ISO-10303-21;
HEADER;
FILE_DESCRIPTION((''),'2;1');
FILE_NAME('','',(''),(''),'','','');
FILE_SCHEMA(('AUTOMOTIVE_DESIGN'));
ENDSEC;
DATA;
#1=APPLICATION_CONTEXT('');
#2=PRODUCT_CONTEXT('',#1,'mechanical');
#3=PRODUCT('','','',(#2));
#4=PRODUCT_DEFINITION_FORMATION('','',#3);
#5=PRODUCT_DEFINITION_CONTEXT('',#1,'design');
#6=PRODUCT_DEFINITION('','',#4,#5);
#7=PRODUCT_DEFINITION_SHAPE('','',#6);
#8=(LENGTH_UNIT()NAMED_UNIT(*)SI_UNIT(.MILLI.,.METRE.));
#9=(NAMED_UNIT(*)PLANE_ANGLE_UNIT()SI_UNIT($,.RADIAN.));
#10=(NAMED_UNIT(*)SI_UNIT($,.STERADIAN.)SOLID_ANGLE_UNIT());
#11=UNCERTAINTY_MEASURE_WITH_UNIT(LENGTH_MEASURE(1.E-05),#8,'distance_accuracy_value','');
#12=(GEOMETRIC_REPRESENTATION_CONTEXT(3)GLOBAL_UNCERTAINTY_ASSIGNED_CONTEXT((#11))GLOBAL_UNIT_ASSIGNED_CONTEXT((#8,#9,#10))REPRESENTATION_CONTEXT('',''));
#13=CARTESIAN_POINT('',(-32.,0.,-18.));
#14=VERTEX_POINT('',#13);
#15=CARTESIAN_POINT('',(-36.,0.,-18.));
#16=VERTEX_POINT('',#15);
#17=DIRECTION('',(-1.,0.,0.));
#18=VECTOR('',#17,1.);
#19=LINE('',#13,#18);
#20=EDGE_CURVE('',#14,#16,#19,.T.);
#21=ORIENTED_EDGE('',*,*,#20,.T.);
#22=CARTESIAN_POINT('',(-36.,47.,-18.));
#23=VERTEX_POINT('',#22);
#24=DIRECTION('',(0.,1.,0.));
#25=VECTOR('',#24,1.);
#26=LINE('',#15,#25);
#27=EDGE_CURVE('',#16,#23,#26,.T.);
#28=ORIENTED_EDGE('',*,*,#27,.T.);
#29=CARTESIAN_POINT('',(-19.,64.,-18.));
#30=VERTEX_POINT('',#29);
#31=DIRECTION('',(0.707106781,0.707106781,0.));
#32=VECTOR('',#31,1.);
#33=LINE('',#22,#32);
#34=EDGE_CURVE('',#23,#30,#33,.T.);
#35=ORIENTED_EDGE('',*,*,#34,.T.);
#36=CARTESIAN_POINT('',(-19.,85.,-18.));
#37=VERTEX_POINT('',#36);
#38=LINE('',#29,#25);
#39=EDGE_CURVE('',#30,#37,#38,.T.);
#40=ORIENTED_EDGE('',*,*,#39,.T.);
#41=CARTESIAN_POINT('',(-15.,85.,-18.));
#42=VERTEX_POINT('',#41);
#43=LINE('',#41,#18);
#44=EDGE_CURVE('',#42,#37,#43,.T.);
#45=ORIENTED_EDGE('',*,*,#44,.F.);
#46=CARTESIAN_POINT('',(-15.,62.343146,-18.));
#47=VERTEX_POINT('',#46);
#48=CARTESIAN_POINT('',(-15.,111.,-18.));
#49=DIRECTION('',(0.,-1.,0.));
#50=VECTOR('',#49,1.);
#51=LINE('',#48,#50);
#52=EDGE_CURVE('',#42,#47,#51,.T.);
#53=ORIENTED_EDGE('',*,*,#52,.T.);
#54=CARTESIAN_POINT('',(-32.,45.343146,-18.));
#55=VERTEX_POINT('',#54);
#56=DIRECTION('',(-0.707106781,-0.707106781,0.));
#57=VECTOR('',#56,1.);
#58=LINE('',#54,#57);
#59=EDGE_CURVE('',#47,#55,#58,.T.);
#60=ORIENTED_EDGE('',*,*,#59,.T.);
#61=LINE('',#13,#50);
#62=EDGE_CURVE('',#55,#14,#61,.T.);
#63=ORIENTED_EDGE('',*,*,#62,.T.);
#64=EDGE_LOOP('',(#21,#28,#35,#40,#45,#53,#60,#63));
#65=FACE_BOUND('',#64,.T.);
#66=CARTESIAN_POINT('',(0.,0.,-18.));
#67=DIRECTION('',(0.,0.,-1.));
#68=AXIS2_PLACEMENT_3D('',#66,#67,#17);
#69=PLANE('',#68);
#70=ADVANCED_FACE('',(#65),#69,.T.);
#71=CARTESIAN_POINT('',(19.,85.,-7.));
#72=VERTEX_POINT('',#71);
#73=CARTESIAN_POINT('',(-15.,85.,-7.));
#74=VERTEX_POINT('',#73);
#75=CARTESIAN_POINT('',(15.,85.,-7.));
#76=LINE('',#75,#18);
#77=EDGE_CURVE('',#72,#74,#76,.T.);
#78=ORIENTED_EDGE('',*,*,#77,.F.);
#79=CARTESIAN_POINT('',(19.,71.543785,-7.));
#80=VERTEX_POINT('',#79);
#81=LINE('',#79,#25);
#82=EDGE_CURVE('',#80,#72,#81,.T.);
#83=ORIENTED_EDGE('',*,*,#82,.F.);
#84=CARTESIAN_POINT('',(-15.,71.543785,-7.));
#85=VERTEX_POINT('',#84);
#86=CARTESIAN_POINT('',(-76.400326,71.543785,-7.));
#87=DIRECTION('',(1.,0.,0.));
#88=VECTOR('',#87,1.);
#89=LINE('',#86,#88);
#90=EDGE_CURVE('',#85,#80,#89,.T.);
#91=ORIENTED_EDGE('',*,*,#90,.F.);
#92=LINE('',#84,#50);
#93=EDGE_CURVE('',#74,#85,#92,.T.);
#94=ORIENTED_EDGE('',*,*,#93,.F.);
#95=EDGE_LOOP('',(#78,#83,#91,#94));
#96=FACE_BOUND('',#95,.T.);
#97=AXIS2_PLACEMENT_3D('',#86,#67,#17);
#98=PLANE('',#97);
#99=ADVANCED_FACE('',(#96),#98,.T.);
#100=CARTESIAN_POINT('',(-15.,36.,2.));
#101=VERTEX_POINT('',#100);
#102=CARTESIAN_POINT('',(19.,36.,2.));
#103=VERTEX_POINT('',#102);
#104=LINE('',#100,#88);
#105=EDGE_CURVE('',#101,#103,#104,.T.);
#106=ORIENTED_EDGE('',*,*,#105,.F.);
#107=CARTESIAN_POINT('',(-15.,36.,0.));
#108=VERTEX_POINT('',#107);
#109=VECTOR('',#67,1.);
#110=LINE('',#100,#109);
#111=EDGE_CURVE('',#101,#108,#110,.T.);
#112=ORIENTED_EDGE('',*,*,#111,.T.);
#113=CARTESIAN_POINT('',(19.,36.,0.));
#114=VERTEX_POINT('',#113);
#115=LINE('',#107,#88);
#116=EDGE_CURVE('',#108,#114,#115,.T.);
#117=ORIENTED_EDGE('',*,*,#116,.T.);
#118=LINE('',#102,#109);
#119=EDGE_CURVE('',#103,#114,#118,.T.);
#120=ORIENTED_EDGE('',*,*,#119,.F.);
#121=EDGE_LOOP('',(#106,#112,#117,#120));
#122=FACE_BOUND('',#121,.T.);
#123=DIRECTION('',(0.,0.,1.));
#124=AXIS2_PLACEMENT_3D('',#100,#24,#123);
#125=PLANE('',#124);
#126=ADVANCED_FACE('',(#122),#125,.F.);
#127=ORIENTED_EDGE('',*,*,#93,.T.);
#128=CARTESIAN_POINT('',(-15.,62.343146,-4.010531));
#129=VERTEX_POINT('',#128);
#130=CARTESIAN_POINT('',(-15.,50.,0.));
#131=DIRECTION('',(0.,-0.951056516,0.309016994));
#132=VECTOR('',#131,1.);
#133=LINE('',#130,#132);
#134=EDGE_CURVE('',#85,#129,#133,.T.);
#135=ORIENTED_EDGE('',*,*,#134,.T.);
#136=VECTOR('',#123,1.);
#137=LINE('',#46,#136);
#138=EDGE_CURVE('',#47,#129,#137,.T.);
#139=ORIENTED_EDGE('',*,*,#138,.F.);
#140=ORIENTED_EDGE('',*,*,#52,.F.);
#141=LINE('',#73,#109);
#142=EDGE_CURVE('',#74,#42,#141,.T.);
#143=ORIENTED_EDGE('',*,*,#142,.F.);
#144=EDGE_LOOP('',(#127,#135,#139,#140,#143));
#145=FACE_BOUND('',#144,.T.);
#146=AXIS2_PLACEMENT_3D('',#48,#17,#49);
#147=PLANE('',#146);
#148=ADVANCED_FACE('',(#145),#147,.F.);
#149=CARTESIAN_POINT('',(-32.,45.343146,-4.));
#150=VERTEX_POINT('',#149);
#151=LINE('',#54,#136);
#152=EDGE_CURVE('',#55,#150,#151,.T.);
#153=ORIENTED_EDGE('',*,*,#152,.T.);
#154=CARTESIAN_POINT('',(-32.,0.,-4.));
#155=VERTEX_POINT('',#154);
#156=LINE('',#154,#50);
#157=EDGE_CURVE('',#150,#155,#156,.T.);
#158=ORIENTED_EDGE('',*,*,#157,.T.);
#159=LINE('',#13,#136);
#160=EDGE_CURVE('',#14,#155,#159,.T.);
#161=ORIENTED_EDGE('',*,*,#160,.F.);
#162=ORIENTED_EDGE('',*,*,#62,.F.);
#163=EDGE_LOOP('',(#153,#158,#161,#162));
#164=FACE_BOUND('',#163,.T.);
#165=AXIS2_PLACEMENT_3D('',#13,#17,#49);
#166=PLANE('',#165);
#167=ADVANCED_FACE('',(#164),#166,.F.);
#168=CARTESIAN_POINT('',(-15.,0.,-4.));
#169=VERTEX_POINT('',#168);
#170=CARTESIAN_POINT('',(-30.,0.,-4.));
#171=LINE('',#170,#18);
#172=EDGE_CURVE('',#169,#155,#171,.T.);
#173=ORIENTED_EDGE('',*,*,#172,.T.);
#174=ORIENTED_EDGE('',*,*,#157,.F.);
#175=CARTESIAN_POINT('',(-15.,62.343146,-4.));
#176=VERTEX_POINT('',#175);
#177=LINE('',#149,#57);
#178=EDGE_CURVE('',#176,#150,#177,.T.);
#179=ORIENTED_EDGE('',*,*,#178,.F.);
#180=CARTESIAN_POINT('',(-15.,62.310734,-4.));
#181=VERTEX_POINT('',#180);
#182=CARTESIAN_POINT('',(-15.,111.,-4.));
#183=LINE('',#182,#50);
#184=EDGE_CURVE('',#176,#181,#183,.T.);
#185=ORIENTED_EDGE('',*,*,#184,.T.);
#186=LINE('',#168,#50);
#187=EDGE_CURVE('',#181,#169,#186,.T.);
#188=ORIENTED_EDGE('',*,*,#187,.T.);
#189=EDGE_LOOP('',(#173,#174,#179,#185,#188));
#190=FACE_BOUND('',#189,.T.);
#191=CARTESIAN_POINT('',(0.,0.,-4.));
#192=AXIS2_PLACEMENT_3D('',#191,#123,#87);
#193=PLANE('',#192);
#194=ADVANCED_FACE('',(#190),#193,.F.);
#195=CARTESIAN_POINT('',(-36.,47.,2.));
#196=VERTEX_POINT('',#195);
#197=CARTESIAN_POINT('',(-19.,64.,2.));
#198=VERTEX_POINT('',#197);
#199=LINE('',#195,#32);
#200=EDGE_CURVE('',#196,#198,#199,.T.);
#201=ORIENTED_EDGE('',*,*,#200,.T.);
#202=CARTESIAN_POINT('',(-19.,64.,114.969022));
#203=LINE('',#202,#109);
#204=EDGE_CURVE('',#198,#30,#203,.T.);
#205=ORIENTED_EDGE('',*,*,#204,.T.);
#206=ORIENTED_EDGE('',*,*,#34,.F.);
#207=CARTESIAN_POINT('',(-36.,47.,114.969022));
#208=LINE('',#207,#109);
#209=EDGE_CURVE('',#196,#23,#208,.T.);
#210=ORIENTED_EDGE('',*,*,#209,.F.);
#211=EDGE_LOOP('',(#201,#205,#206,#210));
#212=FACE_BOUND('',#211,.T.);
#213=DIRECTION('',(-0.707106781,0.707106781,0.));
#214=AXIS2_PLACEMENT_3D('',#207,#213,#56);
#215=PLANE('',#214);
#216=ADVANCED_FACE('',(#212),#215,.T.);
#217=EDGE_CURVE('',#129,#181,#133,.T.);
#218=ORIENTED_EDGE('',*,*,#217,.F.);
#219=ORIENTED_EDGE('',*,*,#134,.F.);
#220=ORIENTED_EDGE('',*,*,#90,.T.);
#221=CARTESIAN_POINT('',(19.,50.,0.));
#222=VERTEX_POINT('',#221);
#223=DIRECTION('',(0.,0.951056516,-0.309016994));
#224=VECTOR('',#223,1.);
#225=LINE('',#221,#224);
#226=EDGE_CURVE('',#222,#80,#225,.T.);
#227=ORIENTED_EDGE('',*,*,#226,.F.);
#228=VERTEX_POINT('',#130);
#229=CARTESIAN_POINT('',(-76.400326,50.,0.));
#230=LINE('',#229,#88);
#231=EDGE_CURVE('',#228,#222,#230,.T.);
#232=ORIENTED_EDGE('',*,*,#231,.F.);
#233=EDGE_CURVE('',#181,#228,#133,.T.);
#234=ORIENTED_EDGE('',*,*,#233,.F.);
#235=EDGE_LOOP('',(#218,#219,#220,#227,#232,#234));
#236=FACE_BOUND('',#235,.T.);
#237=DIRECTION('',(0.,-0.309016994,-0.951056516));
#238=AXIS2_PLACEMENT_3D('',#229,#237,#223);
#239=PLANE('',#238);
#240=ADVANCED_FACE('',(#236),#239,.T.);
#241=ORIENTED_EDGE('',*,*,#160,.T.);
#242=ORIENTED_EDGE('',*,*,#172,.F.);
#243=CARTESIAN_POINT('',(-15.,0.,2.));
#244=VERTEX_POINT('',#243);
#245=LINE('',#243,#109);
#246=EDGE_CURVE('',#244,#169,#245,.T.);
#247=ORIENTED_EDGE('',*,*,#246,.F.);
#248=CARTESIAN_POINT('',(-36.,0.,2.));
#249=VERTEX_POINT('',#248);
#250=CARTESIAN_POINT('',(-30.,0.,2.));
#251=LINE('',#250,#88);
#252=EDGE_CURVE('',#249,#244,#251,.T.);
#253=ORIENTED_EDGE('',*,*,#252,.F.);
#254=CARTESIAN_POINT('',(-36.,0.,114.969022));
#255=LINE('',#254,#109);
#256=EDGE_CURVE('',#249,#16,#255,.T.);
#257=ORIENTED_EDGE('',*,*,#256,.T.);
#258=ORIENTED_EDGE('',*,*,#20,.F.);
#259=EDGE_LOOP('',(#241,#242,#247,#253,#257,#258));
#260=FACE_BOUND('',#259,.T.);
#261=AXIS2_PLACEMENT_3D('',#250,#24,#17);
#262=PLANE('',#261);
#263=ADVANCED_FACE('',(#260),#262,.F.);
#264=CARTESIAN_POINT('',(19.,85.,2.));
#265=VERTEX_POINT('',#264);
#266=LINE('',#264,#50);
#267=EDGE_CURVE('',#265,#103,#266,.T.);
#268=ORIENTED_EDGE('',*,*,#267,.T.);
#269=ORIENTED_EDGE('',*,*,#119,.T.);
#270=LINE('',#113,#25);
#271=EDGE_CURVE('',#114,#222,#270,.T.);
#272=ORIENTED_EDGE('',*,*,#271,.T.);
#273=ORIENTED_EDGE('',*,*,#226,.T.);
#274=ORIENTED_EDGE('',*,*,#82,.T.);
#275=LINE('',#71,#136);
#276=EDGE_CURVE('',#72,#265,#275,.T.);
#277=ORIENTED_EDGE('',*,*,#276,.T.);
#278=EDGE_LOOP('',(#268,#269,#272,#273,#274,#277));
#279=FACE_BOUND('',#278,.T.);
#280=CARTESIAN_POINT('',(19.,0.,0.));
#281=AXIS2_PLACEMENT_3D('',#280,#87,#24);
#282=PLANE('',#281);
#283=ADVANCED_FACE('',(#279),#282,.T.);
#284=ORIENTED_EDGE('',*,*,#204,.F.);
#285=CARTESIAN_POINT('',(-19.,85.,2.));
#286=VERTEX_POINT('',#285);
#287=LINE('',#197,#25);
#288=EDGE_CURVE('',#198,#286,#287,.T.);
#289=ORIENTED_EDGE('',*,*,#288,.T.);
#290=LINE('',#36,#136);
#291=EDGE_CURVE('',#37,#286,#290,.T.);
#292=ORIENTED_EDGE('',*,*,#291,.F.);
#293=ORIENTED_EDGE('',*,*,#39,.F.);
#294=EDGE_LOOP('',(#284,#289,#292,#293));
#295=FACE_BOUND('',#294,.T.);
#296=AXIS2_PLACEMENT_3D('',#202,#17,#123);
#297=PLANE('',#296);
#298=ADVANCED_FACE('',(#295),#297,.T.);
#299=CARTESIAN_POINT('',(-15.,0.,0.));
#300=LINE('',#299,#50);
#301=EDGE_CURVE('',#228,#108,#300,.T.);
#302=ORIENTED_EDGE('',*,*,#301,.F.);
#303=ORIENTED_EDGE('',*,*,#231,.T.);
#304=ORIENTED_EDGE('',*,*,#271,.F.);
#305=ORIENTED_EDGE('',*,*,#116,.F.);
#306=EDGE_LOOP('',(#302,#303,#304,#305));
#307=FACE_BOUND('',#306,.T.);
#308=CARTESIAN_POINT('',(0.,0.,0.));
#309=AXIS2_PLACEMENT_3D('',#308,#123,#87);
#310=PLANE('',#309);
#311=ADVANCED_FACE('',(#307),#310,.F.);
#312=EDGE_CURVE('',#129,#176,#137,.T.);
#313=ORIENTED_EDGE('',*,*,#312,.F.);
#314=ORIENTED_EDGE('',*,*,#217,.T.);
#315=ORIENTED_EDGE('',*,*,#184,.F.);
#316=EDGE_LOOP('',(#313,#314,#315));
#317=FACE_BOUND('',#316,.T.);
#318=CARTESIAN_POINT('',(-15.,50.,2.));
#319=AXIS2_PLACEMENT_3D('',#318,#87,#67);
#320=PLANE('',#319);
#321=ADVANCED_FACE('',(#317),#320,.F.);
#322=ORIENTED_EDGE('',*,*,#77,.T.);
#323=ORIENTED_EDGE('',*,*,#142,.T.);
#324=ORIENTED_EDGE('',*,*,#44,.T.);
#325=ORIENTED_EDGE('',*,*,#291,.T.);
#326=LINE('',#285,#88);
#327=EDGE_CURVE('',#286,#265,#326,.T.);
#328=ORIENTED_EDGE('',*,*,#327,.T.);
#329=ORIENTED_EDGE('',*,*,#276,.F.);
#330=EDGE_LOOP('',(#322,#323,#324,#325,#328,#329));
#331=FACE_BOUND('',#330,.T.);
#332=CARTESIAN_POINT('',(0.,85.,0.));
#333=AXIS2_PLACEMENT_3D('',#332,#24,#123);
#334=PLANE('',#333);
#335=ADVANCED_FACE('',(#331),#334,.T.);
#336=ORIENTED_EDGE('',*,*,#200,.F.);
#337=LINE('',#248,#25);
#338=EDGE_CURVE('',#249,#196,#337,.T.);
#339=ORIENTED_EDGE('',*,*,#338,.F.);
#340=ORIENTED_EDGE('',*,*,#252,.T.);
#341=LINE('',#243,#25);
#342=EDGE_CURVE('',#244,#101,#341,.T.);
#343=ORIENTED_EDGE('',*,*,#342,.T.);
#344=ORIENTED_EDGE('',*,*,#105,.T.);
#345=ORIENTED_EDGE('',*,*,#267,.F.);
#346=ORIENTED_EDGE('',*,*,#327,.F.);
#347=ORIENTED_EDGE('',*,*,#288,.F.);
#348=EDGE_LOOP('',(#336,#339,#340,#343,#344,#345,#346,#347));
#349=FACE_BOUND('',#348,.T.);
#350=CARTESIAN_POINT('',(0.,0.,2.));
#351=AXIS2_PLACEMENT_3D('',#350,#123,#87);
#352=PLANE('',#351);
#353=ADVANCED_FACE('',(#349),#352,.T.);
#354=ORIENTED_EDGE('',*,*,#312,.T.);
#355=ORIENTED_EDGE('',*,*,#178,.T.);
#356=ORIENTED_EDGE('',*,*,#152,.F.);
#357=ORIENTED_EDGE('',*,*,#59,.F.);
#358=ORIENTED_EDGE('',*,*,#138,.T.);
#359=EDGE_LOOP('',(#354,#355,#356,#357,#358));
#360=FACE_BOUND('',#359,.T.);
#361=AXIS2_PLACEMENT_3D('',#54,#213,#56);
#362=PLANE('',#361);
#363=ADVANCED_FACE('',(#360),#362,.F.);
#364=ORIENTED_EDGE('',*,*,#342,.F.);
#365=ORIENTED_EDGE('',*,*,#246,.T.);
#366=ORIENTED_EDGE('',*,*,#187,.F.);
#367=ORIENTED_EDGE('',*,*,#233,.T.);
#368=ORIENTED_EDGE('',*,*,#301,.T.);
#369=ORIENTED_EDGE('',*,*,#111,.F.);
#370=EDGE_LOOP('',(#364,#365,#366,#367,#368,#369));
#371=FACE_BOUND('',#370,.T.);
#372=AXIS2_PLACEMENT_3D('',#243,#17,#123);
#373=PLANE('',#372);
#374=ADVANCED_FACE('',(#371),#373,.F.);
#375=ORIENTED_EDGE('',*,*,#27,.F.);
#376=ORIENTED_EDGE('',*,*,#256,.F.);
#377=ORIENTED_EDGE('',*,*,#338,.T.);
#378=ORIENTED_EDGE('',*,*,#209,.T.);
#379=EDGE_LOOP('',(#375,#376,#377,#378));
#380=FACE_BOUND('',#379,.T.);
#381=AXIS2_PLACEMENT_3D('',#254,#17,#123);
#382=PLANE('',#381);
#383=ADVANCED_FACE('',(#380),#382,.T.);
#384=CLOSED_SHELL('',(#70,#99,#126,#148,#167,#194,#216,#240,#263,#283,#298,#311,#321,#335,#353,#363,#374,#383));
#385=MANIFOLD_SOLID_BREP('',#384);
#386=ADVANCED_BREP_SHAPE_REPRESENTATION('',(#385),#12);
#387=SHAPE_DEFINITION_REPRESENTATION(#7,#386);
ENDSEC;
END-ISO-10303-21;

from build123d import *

# Parameters (mm, degrees)
BOSS_EXTRUDE1_DEPTH = 2
BOSS_EXTRUDE2_DEPTH = 30
SKETCH3_W           = 15
SKETCH3_H           = 50
BOSS_EXTRUDE3_DEPTH = 4
BOSS_EXTRUDE4_DEPTH = 6
BOSS_EXTRUDE5_DEPTH = 14
CUT_EXTRUDE1_DEPTH  = 26
BOSS_EXTRUDE6_DEPTH = 4


with BuildPart() as part:
    # Sketch1 → Boss-Extrude1 (new body)
    with BuildSketch(Plane.XY):
        Polygon((-15, 0), (-15, 36), (15, 36), (15, 50), (15, 111), (-15, 111), (-15, 50), (-30, 50), (-30, 0), align=None)
    extrude(amount=BOSS_EXTRUDE1_DEPTH)

    # Sketch2 → Boss-Extrude2 (add)
    with BuildSketch(Plane(origin=(15, 0, 0), x_dir=(0, 0, -1), z_dir=(1, 0, 0))):
        Polygon((0, 50), (7, 71.54378476), (7, 111), (0, 111), align=None)
    extrude(amount=-BOSS_EXTRUDE2_DEPTH)

    # Sketch3 → Boss-Extrude3 (add)
    with BuildSketch(Plane(origin=(0, 0, 0), x_dir=(-1, 0, 0), z_dir=(0, 0, -1))):
        with Locations((22.5, 25)):
            Rectangle(SKETCH3_W, SKETCH3_H)
    extrude(amount=BOSS_EXTRUDE3_DEPTH)

    # Sketch4 → Boss-Extrude4 (add)
    with BuildSketch(Plane(origin=(0, 0, -4), x_dir=(-1, 0, 0), z_dir=(0, 0, -1))):
        Polygon((15, 111), (15, 50), (30, 50), (30, 0), (36, 0), (36, 47), (19, 64), (19, 111), align=None)
    extrude(amount=-BOSS_EXTRUDE4_DEPTH)

    # Sketch5 → Boss-Extrude5 (add)
    with BuildSketch(Plane(origin=(0, 0, -4), x_dir=(-1, 0, 0), z_dir=(0, 0, -1))):
        Polygon((32, 0), (32, 45.343145751), (15, 62.343145751), (15, 111), (19, 111), (19, 64), (36, 47), (36, 0), align=None)
    extrude(amount=BOSS_EXTRUDE5_DEPTH)

    # Sketch6 → Cut-Extrude1 (cut)
    with BuildSketch(Plane(origin=(0, 111, 0), x_dir=(1, 0, 0), z_dir=(0, 1, 0))):
        Polygon((15, 7), (-15, 7), (-15, 18), (-19, 18), (-19, -2), (15, -2), align=None)
    extrude(amount=-CUT_EXTRUDE1_DEPTH, mode=Mode.SUBTRACT)

    # Sketch7 → Boss-Extrude6 (add)
    with BuildSketch(Plane(origin=(15, 0, 0), x_dir=(0, 0, -1), z_dir=(1, 0, 0))):
        Polygon((7, 85), (-2, 85), (-2, 36), (0, 36), (0, 50), (7, 71.54378476), align=None)
    extrude(amount=BOSS_EXTRUDE6_DEPTH)


solid = part.part
